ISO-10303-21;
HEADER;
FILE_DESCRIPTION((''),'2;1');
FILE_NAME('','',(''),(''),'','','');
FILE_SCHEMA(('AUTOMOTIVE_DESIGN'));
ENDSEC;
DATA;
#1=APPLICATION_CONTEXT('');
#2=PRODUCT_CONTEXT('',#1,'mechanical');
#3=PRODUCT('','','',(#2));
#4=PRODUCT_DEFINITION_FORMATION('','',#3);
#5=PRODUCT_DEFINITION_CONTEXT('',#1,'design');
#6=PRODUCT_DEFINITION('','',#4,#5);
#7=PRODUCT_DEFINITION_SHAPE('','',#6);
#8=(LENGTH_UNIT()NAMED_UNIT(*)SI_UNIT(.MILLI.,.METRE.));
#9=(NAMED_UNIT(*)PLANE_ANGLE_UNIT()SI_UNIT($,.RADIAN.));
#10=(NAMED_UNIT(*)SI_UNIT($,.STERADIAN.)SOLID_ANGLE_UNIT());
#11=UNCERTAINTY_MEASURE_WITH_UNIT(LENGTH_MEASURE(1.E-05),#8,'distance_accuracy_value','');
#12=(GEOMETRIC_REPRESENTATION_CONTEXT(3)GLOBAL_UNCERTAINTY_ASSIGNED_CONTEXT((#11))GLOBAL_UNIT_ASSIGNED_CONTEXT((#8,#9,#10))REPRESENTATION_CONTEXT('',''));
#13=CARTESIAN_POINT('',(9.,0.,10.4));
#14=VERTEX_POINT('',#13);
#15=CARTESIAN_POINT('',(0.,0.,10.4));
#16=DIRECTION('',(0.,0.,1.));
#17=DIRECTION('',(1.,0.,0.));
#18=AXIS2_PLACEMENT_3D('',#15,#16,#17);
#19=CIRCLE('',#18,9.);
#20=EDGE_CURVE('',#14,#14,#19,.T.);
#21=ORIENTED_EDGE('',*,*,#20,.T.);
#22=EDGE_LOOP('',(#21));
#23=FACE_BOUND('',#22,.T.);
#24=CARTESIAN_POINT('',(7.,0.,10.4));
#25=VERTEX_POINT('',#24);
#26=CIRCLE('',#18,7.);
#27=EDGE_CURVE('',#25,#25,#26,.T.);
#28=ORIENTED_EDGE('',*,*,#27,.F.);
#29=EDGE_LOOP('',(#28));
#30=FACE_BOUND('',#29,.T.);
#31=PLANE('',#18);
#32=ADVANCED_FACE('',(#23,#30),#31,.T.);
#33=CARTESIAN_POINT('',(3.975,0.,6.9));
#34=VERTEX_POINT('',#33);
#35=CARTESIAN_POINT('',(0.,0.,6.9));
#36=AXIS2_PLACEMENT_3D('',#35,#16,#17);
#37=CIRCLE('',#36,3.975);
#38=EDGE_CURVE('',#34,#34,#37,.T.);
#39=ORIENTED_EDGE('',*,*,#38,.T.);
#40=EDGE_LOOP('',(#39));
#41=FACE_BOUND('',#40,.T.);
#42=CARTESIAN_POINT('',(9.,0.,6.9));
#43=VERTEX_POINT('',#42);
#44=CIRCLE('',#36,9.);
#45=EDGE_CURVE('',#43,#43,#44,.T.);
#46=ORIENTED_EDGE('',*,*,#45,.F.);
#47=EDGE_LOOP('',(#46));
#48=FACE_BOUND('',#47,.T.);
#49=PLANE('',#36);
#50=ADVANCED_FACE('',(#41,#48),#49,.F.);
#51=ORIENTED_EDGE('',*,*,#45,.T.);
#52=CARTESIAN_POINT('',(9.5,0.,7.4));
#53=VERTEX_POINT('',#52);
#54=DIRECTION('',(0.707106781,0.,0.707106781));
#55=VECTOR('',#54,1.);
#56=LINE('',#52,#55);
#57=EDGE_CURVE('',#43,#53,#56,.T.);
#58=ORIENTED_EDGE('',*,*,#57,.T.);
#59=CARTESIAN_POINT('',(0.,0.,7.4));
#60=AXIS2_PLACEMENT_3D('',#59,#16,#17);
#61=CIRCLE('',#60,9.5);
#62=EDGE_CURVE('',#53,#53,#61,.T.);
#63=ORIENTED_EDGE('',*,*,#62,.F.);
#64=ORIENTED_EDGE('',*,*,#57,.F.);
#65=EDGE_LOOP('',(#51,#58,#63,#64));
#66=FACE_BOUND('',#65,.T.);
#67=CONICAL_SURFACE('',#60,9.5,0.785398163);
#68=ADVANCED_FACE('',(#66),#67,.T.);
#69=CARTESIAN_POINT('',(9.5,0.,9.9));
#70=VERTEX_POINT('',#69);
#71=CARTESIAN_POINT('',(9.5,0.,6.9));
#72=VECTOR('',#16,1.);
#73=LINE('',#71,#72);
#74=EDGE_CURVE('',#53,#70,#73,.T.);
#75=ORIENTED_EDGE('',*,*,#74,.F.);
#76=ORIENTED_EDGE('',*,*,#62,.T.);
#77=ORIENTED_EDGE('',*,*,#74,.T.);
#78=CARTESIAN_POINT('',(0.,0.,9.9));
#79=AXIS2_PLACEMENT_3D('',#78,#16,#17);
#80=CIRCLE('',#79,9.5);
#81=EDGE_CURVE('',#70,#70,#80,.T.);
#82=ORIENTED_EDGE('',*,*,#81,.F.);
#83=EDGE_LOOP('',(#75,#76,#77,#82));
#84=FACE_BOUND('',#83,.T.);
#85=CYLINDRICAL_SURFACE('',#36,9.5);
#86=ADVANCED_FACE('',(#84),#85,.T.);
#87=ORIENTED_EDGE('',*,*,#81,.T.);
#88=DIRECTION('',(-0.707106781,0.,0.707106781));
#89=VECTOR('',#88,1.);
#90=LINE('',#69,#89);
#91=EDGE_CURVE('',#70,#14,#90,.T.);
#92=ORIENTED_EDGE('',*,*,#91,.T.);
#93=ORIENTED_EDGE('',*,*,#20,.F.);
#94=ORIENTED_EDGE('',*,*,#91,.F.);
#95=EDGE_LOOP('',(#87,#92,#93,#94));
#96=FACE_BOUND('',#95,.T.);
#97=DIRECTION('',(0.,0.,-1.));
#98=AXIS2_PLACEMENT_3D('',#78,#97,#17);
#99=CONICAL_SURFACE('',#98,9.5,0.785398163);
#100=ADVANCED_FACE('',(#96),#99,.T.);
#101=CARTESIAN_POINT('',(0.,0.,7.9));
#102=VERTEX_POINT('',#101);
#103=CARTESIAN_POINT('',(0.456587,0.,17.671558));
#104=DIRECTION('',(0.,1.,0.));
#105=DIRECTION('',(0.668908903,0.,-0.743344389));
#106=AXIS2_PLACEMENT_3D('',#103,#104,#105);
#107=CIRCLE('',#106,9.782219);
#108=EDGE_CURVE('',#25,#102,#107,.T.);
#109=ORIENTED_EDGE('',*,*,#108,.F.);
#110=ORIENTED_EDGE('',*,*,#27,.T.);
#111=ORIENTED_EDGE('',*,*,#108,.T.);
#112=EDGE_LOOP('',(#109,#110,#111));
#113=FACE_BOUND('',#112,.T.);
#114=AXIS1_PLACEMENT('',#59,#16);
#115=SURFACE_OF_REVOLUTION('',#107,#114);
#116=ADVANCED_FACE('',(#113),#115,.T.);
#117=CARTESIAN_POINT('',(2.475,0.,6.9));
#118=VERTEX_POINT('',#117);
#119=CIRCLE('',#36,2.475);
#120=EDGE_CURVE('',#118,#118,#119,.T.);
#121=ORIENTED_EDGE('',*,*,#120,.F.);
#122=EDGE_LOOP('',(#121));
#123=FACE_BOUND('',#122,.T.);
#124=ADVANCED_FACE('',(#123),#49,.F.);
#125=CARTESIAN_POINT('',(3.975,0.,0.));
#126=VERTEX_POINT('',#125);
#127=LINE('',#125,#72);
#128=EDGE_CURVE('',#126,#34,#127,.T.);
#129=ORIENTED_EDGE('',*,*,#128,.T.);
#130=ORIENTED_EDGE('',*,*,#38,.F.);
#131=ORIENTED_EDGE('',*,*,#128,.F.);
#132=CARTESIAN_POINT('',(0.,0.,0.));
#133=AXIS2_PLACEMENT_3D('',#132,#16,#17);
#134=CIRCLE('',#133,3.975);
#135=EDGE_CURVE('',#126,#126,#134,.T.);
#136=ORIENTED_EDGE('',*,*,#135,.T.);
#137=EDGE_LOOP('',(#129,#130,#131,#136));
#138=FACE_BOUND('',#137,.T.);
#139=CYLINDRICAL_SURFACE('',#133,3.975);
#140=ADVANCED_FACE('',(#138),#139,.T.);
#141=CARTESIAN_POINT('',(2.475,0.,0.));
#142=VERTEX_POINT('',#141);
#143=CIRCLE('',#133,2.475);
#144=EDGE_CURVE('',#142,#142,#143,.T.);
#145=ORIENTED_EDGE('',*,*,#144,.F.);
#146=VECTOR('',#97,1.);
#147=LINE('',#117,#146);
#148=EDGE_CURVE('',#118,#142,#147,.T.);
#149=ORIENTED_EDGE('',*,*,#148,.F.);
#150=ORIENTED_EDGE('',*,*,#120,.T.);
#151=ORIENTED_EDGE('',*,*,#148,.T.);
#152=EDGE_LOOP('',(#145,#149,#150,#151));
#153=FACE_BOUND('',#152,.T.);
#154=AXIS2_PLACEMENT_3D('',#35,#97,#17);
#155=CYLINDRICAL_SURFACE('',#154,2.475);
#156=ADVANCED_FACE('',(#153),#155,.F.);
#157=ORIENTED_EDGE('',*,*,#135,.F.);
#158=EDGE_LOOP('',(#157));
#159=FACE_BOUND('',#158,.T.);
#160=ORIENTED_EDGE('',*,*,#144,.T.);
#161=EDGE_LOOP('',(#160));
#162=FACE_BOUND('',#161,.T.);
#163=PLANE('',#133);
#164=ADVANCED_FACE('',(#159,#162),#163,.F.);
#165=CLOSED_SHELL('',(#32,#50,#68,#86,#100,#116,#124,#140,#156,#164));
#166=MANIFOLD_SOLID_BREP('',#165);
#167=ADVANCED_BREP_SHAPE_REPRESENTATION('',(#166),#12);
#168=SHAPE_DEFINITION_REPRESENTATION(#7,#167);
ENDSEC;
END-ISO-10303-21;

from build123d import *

# Parameters (mm, degrees)
F2_SIZE = 0.5


with BuildPart() as f1:
    # F0 (on Front) → F1 (revolve)
    with BuildSketch(Plane.XZ):
        with BuildLine():
            Line((2.475, 0), (3.975, 0))
            Line((3.975, 0), (3.975, 6.9))
            Line((3.975, 6.9), (9.5, 6.9))
            Line((9.5, 6.9), (9.5, 10.4))
            Line((9.5, 10.4), (7, 10.4))
            ThreePointArc((7, 10.4), (3.746703, 8.459232), (0, 7.9))
            Line((0, 7.9), (0, 6.9))
            Line((0, 6.9), (2.475, 6.9))
            Line((2.475, 6.9), (2.475, 0))
        make_face()
    revolve(axis=Axis((0, 0, 7.4), (0, 0, 1)))

    # F2
    f2_edges = [f1.edges().sort_by_distance(p)[0] for p in [
        (-9.5, 0, 10.4),
        (-9.5, 0, 6.9),
    ]]
    chamfer(f2_edges, length=F2_SIZE)


solid = f1.part
